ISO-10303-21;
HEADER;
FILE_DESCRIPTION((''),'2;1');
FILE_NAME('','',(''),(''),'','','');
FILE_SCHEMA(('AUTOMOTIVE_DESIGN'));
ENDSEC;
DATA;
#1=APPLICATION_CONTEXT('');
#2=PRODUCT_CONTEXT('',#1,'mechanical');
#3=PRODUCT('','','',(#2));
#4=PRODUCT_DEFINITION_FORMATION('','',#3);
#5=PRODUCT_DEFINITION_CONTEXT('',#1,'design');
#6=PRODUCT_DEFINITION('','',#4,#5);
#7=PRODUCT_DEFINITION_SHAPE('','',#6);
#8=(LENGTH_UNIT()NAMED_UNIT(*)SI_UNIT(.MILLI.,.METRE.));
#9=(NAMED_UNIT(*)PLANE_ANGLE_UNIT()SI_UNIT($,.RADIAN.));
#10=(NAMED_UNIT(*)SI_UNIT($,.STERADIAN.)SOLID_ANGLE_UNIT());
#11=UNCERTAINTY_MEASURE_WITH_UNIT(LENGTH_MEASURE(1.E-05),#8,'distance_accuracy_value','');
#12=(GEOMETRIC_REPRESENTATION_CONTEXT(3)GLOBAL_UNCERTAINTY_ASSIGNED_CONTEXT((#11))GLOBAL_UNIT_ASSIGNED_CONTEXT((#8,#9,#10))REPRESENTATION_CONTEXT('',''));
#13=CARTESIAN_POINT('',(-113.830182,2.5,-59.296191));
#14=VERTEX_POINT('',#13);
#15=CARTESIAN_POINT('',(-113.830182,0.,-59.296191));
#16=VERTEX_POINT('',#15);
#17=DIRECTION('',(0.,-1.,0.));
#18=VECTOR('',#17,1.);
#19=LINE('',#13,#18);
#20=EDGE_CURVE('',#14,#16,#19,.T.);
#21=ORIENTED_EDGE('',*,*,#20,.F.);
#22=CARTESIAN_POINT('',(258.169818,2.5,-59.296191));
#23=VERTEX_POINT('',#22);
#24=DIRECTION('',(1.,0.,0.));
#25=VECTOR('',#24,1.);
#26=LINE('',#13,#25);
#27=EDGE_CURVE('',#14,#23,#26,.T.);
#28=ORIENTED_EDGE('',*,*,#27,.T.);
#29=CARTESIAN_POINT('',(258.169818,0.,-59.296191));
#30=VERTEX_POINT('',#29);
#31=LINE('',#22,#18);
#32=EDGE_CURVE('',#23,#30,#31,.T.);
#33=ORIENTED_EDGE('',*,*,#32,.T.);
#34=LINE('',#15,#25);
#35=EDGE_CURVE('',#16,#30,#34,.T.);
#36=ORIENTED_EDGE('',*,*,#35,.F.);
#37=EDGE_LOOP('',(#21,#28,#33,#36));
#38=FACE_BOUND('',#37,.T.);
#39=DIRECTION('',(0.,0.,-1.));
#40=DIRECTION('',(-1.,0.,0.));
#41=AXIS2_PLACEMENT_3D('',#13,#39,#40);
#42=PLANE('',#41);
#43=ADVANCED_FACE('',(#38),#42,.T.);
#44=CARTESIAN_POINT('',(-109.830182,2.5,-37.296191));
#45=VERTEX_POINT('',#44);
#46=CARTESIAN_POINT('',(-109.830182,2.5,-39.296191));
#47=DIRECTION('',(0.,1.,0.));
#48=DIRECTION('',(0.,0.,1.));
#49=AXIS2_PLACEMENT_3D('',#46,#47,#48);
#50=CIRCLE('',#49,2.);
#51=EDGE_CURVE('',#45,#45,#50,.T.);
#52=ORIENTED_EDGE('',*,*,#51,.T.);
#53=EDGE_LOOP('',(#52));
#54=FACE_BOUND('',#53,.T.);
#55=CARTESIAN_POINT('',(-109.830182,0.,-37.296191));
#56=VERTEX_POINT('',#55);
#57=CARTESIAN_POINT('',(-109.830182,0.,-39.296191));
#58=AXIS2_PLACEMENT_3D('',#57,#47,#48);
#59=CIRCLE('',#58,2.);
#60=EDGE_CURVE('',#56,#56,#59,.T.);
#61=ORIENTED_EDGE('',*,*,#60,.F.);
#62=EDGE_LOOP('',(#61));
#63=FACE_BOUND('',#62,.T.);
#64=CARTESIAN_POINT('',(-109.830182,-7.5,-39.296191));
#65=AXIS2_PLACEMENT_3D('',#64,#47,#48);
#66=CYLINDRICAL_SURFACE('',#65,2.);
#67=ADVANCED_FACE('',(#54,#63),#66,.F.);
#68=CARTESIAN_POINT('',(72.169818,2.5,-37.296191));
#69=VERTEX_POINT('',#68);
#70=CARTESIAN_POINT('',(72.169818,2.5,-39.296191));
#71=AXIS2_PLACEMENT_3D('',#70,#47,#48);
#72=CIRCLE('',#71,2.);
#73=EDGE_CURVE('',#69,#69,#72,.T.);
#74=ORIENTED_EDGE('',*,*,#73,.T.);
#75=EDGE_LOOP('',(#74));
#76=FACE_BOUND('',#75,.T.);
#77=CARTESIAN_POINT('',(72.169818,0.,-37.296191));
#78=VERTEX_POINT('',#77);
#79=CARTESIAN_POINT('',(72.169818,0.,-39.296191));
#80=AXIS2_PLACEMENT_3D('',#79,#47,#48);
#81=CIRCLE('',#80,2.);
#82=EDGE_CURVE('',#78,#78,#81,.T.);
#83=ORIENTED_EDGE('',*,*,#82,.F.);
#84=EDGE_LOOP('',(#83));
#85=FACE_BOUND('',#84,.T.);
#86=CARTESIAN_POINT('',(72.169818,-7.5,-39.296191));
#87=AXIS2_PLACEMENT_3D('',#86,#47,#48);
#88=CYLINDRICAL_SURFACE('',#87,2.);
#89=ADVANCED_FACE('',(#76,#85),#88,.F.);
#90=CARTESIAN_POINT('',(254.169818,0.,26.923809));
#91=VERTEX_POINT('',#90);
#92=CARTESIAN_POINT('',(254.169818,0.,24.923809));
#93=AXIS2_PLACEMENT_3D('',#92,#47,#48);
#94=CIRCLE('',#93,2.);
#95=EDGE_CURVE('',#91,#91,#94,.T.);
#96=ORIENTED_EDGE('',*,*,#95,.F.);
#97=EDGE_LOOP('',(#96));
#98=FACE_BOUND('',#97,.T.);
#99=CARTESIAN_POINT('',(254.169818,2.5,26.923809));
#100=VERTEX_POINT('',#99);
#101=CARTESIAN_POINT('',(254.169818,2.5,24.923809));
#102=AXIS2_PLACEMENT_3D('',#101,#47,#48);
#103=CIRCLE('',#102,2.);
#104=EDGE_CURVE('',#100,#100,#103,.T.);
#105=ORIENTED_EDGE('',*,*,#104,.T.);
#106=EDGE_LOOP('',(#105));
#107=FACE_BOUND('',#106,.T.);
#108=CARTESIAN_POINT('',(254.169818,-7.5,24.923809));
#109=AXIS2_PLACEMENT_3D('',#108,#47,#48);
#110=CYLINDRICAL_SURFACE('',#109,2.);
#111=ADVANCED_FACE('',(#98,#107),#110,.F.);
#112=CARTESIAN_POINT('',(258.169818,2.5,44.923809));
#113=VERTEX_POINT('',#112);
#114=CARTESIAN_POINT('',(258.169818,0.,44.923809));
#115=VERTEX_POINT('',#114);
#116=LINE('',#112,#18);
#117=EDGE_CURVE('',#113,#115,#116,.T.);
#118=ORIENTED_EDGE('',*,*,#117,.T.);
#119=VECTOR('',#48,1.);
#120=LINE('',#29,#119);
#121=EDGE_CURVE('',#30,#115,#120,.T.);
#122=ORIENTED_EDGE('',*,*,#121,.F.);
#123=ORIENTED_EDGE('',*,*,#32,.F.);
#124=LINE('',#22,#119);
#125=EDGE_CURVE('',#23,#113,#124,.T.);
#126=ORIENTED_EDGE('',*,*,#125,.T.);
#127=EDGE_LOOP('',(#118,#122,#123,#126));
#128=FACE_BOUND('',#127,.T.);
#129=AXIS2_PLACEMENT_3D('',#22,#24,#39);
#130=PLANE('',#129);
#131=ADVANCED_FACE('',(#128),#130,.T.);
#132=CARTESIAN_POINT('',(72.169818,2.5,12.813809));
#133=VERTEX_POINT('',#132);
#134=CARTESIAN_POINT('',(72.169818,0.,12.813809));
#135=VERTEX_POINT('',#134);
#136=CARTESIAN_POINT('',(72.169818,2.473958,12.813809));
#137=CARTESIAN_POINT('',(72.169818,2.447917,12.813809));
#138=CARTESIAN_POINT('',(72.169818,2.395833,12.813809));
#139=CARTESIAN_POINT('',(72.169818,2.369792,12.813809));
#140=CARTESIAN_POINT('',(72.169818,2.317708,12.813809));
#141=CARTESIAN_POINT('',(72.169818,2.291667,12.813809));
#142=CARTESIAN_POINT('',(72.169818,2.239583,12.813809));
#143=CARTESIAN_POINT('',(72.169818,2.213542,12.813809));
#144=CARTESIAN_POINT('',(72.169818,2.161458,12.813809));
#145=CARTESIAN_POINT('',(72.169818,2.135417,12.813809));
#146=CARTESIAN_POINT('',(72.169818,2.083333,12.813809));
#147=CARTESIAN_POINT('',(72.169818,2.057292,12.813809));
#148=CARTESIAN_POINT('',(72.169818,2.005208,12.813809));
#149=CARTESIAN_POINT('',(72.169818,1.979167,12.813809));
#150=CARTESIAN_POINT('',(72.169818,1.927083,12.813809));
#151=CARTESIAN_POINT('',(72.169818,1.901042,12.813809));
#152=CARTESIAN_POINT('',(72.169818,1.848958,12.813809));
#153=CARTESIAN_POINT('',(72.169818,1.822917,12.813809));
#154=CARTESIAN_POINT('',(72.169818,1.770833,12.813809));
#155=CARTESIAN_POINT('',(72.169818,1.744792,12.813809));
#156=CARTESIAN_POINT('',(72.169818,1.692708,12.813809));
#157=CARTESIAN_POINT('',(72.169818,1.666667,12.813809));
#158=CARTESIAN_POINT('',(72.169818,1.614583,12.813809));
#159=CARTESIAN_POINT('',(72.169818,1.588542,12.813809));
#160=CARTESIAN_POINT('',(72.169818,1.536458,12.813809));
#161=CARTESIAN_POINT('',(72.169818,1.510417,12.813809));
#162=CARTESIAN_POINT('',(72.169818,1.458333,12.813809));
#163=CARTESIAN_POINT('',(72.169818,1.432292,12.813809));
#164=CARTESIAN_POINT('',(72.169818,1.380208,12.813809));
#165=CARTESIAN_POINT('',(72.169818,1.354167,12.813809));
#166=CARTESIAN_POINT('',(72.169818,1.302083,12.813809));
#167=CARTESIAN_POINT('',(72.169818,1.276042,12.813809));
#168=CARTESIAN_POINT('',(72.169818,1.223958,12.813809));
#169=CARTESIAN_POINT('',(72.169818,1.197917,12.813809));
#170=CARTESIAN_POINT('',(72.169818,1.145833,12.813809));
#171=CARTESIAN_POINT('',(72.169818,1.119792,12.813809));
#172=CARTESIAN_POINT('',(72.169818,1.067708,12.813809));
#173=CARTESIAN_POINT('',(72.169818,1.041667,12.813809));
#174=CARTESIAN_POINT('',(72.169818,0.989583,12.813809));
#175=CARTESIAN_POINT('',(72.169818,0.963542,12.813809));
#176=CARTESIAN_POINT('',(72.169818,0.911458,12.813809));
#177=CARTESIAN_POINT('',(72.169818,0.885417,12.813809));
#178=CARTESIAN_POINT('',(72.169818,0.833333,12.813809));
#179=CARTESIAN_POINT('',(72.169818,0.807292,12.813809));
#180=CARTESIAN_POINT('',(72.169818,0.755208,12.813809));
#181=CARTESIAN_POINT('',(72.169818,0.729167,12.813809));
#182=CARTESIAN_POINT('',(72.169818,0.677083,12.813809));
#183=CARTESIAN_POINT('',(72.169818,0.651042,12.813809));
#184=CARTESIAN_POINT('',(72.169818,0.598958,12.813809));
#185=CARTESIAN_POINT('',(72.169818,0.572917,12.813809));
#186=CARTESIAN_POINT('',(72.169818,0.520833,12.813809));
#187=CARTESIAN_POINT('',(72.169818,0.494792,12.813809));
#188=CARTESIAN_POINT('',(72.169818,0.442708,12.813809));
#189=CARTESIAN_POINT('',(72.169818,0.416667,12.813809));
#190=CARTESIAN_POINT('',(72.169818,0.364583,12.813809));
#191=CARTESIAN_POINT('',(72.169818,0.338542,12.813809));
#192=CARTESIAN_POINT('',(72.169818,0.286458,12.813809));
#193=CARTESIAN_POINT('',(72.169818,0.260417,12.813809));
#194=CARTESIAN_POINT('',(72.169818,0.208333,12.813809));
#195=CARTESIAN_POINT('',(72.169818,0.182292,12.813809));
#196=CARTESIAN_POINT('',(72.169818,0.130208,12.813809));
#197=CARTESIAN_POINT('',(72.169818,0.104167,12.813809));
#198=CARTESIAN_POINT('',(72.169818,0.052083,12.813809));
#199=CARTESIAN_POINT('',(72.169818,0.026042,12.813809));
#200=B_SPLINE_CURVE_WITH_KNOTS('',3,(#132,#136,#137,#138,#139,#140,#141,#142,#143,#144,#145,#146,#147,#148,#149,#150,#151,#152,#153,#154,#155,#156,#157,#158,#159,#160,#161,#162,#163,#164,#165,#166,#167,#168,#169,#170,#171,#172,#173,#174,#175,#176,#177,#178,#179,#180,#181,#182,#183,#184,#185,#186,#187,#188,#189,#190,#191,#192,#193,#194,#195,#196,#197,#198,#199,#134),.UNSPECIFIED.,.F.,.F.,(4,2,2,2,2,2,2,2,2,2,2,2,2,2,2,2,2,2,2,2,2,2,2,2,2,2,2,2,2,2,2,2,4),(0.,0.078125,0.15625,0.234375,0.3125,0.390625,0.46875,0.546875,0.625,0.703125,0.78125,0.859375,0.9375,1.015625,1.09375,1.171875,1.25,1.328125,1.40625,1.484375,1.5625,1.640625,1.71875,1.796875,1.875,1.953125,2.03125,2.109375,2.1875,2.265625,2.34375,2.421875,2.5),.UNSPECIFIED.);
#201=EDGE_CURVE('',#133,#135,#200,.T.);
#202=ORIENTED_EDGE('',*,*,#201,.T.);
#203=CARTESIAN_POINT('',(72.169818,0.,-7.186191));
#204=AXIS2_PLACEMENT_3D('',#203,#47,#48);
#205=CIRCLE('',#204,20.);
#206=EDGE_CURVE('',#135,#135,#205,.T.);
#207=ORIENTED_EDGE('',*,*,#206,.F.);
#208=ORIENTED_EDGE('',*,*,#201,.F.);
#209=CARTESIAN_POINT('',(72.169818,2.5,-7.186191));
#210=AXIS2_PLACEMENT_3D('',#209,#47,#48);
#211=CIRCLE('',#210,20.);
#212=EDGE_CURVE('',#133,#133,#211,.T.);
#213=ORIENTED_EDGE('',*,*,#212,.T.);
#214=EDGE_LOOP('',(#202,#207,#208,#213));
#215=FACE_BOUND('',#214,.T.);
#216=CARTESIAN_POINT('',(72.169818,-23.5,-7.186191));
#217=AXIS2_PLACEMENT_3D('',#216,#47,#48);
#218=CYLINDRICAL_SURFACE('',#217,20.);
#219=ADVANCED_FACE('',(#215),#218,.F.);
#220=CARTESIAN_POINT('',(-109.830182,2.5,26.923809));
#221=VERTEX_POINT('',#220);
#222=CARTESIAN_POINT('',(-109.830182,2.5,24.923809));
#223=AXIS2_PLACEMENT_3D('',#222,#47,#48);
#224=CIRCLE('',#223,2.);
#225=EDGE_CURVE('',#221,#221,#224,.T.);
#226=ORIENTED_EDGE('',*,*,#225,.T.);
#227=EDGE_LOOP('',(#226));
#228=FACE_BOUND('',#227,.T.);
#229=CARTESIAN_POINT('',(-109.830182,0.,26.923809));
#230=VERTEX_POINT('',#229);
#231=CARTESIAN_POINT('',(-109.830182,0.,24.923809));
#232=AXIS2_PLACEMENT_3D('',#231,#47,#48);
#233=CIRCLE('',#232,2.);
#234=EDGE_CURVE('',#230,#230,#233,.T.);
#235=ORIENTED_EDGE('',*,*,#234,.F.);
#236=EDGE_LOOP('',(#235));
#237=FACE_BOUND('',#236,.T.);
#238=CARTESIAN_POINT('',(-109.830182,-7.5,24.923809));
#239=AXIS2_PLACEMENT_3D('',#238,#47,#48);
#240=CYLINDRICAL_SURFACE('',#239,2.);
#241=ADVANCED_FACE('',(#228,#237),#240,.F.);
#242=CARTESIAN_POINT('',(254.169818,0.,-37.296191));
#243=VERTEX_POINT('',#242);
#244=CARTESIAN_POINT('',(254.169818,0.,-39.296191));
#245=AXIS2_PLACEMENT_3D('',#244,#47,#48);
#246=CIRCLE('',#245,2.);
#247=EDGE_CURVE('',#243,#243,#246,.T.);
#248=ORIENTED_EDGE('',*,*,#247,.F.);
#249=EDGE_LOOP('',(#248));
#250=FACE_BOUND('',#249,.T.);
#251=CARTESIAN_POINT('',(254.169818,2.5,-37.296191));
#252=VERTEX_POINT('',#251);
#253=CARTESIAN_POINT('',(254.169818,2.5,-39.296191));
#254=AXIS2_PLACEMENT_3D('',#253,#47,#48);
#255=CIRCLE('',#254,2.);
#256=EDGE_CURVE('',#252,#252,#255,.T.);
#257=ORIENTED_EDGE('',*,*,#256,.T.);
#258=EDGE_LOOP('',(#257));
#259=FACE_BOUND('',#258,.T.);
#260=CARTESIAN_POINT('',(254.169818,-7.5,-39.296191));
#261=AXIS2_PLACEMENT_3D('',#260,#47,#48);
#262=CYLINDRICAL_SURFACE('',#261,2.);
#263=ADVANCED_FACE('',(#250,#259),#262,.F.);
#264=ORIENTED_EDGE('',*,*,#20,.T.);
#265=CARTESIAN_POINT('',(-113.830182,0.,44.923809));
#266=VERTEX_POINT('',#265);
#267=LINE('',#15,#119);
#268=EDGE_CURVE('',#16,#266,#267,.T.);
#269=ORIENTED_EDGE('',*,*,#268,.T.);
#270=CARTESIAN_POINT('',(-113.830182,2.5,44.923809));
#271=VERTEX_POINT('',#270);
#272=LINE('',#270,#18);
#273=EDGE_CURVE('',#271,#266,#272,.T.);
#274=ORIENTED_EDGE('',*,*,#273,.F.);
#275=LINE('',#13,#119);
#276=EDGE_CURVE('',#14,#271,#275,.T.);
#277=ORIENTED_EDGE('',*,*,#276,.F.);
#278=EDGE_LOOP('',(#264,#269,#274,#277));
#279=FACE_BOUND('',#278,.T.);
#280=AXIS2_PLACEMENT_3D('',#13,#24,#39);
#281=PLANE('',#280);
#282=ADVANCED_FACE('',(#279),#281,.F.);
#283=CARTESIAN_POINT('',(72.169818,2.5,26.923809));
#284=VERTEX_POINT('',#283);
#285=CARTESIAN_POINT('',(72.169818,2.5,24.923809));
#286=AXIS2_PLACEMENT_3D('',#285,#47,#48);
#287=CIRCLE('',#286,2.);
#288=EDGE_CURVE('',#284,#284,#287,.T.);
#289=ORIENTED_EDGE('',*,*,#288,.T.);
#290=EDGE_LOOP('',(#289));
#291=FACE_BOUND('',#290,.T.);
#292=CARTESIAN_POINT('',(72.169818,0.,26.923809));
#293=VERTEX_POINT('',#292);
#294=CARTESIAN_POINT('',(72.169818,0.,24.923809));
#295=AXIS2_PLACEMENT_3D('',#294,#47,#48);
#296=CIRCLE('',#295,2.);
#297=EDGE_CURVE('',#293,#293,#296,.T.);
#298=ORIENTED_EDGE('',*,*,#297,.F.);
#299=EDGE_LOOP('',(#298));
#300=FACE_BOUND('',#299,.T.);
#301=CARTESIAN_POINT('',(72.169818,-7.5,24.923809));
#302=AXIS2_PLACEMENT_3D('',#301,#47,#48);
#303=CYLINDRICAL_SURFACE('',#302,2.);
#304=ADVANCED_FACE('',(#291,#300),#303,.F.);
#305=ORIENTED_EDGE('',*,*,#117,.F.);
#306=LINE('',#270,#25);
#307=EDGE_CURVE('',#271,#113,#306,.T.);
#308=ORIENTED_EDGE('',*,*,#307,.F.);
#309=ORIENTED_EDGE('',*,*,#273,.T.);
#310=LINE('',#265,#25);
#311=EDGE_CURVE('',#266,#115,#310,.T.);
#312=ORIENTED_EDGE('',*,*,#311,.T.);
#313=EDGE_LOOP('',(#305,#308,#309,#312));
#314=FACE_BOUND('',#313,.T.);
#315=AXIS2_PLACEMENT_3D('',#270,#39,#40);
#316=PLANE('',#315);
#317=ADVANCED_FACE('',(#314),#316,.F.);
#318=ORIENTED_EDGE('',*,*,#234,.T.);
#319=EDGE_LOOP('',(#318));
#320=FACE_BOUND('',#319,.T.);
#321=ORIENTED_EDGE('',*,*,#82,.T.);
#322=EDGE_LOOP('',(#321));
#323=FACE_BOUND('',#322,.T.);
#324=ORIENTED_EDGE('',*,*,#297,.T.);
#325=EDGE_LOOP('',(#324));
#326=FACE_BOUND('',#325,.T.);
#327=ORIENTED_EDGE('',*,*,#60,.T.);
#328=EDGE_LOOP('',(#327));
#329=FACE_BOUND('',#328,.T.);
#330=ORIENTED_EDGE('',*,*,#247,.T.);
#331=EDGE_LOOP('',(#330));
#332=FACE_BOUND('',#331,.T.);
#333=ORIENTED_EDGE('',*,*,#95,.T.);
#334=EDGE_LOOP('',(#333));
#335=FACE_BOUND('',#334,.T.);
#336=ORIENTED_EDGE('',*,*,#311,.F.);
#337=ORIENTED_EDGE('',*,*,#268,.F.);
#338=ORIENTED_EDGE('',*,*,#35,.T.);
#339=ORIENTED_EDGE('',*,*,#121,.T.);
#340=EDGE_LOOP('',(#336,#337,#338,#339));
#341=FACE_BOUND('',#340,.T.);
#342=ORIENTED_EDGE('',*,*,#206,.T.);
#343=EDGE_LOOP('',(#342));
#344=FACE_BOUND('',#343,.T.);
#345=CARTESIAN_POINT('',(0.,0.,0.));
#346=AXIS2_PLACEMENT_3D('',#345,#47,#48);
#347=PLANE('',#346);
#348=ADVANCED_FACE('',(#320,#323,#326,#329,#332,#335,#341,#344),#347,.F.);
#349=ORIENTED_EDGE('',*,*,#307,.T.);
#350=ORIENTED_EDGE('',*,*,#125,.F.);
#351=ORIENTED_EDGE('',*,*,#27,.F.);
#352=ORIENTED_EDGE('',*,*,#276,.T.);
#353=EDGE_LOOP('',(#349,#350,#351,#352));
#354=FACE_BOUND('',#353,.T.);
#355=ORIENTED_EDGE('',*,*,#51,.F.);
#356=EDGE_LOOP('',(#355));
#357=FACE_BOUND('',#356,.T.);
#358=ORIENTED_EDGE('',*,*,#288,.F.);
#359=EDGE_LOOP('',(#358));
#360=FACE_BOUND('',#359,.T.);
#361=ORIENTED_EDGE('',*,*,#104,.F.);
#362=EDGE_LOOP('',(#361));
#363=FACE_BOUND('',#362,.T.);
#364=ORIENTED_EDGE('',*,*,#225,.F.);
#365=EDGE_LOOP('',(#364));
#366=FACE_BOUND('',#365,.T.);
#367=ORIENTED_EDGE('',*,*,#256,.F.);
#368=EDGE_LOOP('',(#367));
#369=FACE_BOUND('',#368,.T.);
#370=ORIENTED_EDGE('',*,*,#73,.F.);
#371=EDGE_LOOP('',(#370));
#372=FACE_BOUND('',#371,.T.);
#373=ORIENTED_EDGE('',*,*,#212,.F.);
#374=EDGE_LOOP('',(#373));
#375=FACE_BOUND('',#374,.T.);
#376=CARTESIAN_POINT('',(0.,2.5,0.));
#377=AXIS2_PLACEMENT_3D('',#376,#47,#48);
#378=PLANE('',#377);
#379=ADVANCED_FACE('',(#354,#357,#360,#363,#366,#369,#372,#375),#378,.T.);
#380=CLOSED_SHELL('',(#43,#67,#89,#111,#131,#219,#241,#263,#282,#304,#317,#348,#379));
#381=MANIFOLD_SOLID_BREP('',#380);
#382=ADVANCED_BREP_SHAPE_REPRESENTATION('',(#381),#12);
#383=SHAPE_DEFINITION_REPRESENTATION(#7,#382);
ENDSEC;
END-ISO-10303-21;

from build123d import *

# Parameters (mm, degrees)
SKETCH1_W           = 372
SKETCH1_H           = 104.22
BOSS_EXTRUDE1_DEPTH = 2.5
SKETCH2_R           = 2
CUT_EXTRUDE1_DEPTH  = 10
SKETCH3_R           = 2
CUT_EXTRUDE2_DEPTH  = 10
CUT_EXTRUDE3_DEPTH  = 26


with BuildPart() as part:
    # Sketch1 → Boss-Extrude1 (new body)
    with BuildSketch(Plane(origin=(0, 0, 0), x_dir=(1, 0, 0), z_dir=(0, 1, 0))):
        with Locations((72.169818201, 7.186191072)):
            Rectangle(SKETCH1_W, SKETCH1_H)
    extrude(amount=BOSS_EXTRUDE1_DEPTH)

    # Sketch2 → Cut-Extrude1 (cut)
    with BuildSketch(Plane(origin=(0, 2.5, 0), x_dir=(1, 0, 0), z_dir=(0, 1, 0))):
        with BuildLine():
            ThreePointArc((-107.830181799, 39.296191072), (-108.415968237, 40.710404634), (-109.830181799, 41.296191072))
            Line((-109.830181799, 41.296191072), (-109.830181799, 39.296191072))
            Line((-109.830181799, 39.296191072), (-111.830181799, 39.296191072))
            ThreePointArc((-111.830181799, 39.296191072), (-109.830181799, 37.296191072), (-107.830181799, 39.296191072))
        make_face()
        with BuildLine():
            Line((-109.830181799, 39.296191072), (-109.830181799, 41.296191072))
            ThreePointArc((-109.830181799, 41.296191072), (-111.244395361, 40.710404634), (-111.830181799, 39.296191072))
            Line((-111.830181799, 39.296191072), (-109.830181799, 39.296191072))
        make_face()
        with BuildLine():
            ThreePointArc((256.169818201, 39.296191072), (255.584031763, 40.710404634), (254.169818201, 41.296191072))
            Line((254.169818201, 41.296191072), (254.169818201, 39.296191072))
            Line((254.169818201, 39.296191072), (256.169818201, 39.296191072))
        make_face()
        with BuildLine():
            Line((254.169818201, 39.296191072), (254.169818201, 41.296191072))
            ThreePointArc((254.169818201, 41.296191072), (252.755604639, 37.88197751), (256.169818201, 39.296191072))
            Line((256.169818201, 39.296191072), (254.169818201, 39.296191072))
        make_face()
        with Locations(Location((-109.830181799, -24.923808928, 0), (0, 0, 270))):
            Circle(SKETCH2_R)
        with Locations(Location((254.169818201, -24.923808928, 0), (0, 0, 270))):
            Circle(SKETCH2_R)
    extrude(amount=-CUT_EXTRUDE1_DEPTH, mode=Mode.SUBTRACT)

    # Sketch3 → Cut-Extrude2 (cut)
    with BuildSketch(Plane(origin=(0, 2.5, 0), x_dir=(1, 0, 0), z_dir=(0, 1, 0))):
        with Locations(Location((72.169818201, 39.296191072, 0), (0, 0, 270))):
            Circle(SKETCH3_R)
        with Locations(Location((72.169818201, -24.923808928, 0), (0, 0, 270))):
            Circle(SKETCH3_R)
    extrude(amount=-CUT_EXTRUDE2_DEPTH, mode=Mode.SUBTRACT)

    # Sketch4 → Cut-Extrude3 (cut)
    with BuildSketch(Plane(origin=(0, 2.5, 0), x_dir=(1, 0, 0), z_dir=(0, 1, 0))):
        with BuildLine():
            ThreePointArc((92.169818201, 7.186191072), (86.311953825, 21.328326696), (72.169818201, 27.186191072))
            Line((72.169818201, 27.186191072), (72.169818201, -12.813808928))
            ThreePointArc((72.169818201, -12.813808928), (86.311953825, -6.955944552), (92.169818201, 7.186191072))
        make_face()
        with BuildLine():
            Line((72.169818201, -12.813808928), (72.169818201, 27.186191072))
            ThreePointArc((72.169818201, 27.186191072), (52.169818201, 7.186191072), (72.169818201, -12.813808928))
        make_face()
    extrude(amount=-CUT_EXTRUDE3_DEPTH, mode=Mode.SUBTRACT)


solid = part.part
